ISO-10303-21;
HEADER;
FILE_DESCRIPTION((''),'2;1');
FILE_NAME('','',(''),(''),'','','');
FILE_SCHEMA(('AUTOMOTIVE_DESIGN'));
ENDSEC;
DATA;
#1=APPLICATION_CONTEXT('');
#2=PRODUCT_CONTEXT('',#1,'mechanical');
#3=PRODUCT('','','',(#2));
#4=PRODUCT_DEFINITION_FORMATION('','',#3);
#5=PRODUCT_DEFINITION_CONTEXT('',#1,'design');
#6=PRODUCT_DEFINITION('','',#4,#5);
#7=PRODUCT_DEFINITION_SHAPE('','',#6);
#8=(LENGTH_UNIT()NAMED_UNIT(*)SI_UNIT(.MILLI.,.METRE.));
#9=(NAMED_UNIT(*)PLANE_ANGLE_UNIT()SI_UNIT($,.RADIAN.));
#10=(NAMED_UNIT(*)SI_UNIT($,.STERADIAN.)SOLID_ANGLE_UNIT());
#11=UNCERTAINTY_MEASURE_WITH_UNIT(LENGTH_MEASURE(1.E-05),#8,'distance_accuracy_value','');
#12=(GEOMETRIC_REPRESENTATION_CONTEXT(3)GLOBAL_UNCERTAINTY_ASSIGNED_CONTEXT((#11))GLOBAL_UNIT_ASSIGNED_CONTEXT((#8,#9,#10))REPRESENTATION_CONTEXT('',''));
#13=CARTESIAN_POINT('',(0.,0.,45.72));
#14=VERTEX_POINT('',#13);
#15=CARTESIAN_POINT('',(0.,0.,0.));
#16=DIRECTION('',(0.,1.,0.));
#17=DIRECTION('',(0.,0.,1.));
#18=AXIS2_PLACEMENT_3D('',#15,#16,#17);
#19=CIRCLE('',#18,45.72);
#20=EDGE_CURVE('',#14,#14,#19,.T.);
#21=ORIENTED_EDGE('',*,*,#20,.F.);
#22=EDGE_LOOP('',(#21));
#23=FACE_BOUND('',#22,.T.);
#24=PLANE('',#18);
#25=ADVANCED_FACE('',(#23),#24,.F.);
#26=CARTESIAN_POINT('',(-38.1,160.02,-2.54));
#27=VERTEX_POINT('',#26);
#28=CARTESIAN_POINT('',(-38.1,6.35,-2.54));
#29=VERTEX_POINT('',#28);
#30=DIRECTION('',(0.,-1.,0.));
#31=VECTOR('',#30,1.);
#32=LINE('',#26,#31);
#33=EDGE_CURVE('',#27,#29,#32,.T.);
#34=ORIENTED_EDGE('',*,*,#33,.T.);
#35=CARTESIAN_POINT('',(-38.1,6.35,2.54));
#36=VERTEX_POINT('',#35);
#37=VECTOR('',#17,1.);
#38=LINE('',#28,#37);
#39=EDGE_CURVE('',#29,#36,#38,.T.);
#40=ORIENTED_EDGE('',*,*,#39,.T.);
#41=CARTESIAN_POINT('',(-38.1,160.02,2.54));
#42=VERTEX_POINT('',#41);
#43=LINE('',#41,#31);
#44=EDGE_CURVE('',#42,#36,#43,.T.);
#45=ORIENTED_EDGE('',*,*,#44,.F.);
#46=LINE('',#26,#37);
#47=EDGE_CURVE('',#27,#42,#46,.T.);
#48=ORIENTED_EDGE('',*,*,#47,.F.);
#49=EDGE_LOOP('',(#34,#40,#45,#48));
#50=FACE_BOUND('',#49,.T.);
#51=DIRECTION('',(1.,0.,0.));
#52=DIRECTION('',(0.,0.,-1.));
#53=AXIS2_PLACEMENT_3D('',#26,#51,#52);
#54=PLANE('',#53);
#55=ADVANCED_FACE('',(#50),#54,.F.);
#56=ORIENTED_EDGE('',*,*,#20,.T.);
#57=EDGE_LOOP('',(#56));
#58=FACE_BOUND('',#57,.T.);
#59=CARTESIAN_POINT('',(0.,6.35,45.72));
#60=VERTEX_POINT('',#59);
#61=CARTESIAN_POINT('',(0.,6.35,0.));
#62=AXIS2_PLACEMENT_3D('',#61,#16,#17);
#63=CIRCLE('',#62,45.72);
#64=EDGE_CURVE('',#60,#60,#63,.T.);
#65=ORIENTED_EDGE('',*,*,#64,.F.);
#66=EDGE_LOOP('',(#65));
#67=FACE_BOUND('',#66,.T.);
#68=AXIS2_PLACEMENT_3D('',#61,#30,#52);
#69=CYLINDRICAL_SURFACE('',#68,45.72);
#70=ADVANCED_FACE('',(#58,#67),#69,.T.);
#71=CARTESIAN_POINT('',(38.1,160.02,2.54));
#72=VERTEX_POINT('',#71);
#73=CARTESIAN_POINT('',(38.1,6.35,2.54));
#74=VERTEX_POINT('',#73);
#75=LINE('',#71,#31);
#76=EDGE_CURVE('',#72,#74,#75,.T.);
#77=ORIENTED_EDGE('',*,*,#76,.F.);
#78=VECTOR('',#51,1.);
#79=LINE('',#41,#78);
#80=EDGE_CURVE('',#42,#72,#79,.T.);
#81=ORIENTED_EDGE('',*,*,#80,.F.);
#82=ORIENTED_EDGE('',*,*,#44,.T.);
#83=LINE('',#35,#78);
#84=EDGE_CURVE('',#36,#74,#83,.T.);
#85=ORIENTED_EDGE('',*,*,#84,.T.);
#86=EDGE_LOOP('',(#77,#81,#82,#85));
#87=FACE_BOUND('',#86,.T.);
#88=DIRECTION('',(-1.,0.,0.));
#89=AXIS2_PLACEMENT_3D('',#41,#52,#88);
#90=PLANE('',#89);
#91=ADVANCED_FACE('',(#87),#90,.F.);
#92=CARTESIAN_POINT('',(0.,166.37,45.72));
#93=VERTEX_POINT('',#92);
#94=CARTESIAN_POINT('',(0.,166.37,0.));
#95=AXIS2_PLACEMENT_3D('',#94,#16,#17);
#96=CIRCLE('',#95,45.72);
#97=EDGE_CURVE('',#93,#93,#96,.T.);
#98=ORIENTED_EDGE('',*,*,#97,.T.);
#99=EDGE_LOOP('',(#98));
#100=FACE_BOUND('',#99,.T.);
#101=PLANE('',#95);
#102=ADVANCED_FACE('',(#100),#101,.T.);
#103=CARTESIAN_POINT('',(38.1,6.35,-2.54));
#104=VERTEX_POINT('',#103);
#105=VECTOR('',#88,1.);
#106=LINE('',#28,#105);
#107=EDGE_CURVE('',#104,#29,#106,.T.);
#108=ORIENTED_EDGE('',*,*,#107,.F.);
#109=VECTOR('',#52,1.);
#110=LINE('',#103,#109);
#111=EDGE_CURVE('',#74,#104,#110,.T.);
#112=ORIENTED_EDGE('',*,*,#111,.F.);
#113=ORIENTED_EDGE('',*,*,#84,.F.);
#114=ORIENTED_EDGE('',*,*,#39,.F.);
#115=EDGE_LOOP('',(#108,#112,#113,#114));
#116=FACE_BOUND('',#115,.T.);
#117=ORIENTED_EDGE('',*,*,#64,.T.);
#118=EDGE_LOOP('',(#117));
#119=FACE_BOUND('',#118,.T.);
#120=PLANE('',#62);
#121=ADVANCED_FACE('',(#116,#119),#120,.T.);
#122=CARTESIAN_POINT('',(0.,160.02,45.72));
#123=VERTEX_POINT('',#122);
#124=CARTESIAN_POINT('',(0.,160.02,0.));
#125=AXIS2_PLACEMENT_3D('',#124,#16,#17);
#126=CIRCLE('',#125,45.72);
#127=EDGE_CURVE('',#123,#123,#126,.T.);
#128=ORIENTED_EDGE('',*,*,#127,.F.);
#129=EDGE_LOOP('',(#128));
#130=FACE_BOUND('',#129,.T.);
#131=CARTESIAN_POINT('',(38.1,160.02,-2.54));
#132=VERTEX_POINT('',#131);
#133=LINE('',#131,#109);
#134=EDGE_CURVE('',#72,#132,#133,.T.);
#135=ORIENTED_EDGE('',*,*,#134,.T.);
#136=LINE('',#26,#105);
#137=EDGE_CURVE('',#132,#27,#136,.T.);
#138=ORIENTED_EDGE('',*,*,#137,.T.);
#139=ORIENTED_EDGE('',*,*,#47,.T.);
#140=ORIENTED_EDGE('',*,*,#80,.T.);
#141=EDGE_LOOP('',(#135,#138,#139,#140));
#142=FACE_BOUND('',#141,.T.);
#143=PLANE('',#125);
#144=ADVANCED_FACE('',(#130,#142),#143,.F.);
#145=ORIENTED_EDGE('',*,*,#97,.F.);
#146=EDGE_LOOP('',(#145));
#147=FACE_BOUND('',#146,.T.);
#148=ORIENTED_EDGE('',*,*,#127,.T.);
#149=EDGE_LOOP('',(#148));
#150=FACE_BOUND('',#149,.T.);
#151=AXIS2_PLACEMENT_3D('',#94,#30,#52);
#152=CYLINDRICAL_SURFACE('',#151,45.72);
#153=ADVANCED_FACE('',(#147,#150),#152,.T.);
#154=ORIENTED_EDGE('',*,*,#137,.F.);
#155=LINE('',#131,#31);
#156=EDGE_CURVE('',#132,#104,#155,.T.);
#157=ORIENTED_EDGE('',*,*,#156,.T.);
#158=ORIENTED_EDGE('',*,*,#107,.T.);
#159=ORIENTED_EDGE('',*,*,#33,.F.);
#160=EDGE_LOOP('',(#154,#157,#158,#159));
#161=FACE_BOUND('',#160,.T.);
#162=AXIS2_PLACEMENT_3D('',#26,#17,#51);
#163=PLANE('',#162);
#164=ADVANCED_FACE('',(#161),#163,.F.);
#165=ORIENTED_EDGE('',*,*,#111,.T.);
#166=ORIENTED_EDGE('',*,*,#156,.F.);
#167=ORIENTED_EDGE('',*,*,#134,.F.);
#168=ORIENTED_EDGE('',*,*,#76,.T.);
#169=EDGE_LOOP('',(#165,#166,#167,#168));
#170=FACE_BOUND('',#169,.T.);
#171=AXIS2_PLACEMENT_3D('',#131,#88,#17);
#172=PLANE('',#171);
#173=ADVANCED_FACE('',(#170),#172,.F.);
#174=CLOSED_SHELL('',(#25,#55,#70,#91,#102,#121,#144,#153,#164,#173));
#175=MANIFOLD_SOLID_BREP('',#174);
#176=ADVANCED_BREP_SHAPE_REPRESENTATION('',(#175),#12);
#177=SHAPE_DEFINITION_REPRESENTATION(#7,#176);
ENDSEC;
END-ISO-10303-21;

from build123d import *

# Parameters (mm, degrees)
SKETCH1_R           = 45.72
BOSS_EXTRUDE1_DEPTH = 6.35
SKETCH2_W           = 76.2
SKETCH2_H           = 5.08
BOSS_EXTRUDE4_DEPTH = 153.67
SKETCH4_R           = 45.72
BOSS_EXTRUDE5_DEPTH = 6.35


with BuildPart() as part:
    # Sketch1 → Boss-Extrude1 (new body)
    with BuildSketch(Plane(origin=(0, 0, 0), x_dir=(1, 0, 0), z_dir=(0, 1, 0))):
        with Locations(Location((0, 0, 0), (0, 0, 270))):
            Circle(SKETCH1_R)
    extrude(amount=BOSS_EXTRUDE1_DEPTH)

    # Sketch2 → Boss-Extrude4 (add)
    with BuildSketch(Plane(origin=(0, 6.35, 0), x_dir=(1, 0, 0), z_dir=(0, 1, 0))):
        Rectangle(SKETCH2_W, SKETCH2_H)
    extrude(amount=BOSS_EXTRUDE4_DEPTH)

    # Sketch4 → Boss-Extrude5 (add)
    with BuildSketch(Plane(origin=(0, 160.02, 0), x_dir=(1, 0, 0), z_dir=(0, 1, 0))):
        with Locations(Location((0, 0, 0), (0, 0, 270))):
            Circle(SKETCH4_R)
    extrude(amount=BOSS_EXTRUDE5_DEPTH)


solid = part.part
